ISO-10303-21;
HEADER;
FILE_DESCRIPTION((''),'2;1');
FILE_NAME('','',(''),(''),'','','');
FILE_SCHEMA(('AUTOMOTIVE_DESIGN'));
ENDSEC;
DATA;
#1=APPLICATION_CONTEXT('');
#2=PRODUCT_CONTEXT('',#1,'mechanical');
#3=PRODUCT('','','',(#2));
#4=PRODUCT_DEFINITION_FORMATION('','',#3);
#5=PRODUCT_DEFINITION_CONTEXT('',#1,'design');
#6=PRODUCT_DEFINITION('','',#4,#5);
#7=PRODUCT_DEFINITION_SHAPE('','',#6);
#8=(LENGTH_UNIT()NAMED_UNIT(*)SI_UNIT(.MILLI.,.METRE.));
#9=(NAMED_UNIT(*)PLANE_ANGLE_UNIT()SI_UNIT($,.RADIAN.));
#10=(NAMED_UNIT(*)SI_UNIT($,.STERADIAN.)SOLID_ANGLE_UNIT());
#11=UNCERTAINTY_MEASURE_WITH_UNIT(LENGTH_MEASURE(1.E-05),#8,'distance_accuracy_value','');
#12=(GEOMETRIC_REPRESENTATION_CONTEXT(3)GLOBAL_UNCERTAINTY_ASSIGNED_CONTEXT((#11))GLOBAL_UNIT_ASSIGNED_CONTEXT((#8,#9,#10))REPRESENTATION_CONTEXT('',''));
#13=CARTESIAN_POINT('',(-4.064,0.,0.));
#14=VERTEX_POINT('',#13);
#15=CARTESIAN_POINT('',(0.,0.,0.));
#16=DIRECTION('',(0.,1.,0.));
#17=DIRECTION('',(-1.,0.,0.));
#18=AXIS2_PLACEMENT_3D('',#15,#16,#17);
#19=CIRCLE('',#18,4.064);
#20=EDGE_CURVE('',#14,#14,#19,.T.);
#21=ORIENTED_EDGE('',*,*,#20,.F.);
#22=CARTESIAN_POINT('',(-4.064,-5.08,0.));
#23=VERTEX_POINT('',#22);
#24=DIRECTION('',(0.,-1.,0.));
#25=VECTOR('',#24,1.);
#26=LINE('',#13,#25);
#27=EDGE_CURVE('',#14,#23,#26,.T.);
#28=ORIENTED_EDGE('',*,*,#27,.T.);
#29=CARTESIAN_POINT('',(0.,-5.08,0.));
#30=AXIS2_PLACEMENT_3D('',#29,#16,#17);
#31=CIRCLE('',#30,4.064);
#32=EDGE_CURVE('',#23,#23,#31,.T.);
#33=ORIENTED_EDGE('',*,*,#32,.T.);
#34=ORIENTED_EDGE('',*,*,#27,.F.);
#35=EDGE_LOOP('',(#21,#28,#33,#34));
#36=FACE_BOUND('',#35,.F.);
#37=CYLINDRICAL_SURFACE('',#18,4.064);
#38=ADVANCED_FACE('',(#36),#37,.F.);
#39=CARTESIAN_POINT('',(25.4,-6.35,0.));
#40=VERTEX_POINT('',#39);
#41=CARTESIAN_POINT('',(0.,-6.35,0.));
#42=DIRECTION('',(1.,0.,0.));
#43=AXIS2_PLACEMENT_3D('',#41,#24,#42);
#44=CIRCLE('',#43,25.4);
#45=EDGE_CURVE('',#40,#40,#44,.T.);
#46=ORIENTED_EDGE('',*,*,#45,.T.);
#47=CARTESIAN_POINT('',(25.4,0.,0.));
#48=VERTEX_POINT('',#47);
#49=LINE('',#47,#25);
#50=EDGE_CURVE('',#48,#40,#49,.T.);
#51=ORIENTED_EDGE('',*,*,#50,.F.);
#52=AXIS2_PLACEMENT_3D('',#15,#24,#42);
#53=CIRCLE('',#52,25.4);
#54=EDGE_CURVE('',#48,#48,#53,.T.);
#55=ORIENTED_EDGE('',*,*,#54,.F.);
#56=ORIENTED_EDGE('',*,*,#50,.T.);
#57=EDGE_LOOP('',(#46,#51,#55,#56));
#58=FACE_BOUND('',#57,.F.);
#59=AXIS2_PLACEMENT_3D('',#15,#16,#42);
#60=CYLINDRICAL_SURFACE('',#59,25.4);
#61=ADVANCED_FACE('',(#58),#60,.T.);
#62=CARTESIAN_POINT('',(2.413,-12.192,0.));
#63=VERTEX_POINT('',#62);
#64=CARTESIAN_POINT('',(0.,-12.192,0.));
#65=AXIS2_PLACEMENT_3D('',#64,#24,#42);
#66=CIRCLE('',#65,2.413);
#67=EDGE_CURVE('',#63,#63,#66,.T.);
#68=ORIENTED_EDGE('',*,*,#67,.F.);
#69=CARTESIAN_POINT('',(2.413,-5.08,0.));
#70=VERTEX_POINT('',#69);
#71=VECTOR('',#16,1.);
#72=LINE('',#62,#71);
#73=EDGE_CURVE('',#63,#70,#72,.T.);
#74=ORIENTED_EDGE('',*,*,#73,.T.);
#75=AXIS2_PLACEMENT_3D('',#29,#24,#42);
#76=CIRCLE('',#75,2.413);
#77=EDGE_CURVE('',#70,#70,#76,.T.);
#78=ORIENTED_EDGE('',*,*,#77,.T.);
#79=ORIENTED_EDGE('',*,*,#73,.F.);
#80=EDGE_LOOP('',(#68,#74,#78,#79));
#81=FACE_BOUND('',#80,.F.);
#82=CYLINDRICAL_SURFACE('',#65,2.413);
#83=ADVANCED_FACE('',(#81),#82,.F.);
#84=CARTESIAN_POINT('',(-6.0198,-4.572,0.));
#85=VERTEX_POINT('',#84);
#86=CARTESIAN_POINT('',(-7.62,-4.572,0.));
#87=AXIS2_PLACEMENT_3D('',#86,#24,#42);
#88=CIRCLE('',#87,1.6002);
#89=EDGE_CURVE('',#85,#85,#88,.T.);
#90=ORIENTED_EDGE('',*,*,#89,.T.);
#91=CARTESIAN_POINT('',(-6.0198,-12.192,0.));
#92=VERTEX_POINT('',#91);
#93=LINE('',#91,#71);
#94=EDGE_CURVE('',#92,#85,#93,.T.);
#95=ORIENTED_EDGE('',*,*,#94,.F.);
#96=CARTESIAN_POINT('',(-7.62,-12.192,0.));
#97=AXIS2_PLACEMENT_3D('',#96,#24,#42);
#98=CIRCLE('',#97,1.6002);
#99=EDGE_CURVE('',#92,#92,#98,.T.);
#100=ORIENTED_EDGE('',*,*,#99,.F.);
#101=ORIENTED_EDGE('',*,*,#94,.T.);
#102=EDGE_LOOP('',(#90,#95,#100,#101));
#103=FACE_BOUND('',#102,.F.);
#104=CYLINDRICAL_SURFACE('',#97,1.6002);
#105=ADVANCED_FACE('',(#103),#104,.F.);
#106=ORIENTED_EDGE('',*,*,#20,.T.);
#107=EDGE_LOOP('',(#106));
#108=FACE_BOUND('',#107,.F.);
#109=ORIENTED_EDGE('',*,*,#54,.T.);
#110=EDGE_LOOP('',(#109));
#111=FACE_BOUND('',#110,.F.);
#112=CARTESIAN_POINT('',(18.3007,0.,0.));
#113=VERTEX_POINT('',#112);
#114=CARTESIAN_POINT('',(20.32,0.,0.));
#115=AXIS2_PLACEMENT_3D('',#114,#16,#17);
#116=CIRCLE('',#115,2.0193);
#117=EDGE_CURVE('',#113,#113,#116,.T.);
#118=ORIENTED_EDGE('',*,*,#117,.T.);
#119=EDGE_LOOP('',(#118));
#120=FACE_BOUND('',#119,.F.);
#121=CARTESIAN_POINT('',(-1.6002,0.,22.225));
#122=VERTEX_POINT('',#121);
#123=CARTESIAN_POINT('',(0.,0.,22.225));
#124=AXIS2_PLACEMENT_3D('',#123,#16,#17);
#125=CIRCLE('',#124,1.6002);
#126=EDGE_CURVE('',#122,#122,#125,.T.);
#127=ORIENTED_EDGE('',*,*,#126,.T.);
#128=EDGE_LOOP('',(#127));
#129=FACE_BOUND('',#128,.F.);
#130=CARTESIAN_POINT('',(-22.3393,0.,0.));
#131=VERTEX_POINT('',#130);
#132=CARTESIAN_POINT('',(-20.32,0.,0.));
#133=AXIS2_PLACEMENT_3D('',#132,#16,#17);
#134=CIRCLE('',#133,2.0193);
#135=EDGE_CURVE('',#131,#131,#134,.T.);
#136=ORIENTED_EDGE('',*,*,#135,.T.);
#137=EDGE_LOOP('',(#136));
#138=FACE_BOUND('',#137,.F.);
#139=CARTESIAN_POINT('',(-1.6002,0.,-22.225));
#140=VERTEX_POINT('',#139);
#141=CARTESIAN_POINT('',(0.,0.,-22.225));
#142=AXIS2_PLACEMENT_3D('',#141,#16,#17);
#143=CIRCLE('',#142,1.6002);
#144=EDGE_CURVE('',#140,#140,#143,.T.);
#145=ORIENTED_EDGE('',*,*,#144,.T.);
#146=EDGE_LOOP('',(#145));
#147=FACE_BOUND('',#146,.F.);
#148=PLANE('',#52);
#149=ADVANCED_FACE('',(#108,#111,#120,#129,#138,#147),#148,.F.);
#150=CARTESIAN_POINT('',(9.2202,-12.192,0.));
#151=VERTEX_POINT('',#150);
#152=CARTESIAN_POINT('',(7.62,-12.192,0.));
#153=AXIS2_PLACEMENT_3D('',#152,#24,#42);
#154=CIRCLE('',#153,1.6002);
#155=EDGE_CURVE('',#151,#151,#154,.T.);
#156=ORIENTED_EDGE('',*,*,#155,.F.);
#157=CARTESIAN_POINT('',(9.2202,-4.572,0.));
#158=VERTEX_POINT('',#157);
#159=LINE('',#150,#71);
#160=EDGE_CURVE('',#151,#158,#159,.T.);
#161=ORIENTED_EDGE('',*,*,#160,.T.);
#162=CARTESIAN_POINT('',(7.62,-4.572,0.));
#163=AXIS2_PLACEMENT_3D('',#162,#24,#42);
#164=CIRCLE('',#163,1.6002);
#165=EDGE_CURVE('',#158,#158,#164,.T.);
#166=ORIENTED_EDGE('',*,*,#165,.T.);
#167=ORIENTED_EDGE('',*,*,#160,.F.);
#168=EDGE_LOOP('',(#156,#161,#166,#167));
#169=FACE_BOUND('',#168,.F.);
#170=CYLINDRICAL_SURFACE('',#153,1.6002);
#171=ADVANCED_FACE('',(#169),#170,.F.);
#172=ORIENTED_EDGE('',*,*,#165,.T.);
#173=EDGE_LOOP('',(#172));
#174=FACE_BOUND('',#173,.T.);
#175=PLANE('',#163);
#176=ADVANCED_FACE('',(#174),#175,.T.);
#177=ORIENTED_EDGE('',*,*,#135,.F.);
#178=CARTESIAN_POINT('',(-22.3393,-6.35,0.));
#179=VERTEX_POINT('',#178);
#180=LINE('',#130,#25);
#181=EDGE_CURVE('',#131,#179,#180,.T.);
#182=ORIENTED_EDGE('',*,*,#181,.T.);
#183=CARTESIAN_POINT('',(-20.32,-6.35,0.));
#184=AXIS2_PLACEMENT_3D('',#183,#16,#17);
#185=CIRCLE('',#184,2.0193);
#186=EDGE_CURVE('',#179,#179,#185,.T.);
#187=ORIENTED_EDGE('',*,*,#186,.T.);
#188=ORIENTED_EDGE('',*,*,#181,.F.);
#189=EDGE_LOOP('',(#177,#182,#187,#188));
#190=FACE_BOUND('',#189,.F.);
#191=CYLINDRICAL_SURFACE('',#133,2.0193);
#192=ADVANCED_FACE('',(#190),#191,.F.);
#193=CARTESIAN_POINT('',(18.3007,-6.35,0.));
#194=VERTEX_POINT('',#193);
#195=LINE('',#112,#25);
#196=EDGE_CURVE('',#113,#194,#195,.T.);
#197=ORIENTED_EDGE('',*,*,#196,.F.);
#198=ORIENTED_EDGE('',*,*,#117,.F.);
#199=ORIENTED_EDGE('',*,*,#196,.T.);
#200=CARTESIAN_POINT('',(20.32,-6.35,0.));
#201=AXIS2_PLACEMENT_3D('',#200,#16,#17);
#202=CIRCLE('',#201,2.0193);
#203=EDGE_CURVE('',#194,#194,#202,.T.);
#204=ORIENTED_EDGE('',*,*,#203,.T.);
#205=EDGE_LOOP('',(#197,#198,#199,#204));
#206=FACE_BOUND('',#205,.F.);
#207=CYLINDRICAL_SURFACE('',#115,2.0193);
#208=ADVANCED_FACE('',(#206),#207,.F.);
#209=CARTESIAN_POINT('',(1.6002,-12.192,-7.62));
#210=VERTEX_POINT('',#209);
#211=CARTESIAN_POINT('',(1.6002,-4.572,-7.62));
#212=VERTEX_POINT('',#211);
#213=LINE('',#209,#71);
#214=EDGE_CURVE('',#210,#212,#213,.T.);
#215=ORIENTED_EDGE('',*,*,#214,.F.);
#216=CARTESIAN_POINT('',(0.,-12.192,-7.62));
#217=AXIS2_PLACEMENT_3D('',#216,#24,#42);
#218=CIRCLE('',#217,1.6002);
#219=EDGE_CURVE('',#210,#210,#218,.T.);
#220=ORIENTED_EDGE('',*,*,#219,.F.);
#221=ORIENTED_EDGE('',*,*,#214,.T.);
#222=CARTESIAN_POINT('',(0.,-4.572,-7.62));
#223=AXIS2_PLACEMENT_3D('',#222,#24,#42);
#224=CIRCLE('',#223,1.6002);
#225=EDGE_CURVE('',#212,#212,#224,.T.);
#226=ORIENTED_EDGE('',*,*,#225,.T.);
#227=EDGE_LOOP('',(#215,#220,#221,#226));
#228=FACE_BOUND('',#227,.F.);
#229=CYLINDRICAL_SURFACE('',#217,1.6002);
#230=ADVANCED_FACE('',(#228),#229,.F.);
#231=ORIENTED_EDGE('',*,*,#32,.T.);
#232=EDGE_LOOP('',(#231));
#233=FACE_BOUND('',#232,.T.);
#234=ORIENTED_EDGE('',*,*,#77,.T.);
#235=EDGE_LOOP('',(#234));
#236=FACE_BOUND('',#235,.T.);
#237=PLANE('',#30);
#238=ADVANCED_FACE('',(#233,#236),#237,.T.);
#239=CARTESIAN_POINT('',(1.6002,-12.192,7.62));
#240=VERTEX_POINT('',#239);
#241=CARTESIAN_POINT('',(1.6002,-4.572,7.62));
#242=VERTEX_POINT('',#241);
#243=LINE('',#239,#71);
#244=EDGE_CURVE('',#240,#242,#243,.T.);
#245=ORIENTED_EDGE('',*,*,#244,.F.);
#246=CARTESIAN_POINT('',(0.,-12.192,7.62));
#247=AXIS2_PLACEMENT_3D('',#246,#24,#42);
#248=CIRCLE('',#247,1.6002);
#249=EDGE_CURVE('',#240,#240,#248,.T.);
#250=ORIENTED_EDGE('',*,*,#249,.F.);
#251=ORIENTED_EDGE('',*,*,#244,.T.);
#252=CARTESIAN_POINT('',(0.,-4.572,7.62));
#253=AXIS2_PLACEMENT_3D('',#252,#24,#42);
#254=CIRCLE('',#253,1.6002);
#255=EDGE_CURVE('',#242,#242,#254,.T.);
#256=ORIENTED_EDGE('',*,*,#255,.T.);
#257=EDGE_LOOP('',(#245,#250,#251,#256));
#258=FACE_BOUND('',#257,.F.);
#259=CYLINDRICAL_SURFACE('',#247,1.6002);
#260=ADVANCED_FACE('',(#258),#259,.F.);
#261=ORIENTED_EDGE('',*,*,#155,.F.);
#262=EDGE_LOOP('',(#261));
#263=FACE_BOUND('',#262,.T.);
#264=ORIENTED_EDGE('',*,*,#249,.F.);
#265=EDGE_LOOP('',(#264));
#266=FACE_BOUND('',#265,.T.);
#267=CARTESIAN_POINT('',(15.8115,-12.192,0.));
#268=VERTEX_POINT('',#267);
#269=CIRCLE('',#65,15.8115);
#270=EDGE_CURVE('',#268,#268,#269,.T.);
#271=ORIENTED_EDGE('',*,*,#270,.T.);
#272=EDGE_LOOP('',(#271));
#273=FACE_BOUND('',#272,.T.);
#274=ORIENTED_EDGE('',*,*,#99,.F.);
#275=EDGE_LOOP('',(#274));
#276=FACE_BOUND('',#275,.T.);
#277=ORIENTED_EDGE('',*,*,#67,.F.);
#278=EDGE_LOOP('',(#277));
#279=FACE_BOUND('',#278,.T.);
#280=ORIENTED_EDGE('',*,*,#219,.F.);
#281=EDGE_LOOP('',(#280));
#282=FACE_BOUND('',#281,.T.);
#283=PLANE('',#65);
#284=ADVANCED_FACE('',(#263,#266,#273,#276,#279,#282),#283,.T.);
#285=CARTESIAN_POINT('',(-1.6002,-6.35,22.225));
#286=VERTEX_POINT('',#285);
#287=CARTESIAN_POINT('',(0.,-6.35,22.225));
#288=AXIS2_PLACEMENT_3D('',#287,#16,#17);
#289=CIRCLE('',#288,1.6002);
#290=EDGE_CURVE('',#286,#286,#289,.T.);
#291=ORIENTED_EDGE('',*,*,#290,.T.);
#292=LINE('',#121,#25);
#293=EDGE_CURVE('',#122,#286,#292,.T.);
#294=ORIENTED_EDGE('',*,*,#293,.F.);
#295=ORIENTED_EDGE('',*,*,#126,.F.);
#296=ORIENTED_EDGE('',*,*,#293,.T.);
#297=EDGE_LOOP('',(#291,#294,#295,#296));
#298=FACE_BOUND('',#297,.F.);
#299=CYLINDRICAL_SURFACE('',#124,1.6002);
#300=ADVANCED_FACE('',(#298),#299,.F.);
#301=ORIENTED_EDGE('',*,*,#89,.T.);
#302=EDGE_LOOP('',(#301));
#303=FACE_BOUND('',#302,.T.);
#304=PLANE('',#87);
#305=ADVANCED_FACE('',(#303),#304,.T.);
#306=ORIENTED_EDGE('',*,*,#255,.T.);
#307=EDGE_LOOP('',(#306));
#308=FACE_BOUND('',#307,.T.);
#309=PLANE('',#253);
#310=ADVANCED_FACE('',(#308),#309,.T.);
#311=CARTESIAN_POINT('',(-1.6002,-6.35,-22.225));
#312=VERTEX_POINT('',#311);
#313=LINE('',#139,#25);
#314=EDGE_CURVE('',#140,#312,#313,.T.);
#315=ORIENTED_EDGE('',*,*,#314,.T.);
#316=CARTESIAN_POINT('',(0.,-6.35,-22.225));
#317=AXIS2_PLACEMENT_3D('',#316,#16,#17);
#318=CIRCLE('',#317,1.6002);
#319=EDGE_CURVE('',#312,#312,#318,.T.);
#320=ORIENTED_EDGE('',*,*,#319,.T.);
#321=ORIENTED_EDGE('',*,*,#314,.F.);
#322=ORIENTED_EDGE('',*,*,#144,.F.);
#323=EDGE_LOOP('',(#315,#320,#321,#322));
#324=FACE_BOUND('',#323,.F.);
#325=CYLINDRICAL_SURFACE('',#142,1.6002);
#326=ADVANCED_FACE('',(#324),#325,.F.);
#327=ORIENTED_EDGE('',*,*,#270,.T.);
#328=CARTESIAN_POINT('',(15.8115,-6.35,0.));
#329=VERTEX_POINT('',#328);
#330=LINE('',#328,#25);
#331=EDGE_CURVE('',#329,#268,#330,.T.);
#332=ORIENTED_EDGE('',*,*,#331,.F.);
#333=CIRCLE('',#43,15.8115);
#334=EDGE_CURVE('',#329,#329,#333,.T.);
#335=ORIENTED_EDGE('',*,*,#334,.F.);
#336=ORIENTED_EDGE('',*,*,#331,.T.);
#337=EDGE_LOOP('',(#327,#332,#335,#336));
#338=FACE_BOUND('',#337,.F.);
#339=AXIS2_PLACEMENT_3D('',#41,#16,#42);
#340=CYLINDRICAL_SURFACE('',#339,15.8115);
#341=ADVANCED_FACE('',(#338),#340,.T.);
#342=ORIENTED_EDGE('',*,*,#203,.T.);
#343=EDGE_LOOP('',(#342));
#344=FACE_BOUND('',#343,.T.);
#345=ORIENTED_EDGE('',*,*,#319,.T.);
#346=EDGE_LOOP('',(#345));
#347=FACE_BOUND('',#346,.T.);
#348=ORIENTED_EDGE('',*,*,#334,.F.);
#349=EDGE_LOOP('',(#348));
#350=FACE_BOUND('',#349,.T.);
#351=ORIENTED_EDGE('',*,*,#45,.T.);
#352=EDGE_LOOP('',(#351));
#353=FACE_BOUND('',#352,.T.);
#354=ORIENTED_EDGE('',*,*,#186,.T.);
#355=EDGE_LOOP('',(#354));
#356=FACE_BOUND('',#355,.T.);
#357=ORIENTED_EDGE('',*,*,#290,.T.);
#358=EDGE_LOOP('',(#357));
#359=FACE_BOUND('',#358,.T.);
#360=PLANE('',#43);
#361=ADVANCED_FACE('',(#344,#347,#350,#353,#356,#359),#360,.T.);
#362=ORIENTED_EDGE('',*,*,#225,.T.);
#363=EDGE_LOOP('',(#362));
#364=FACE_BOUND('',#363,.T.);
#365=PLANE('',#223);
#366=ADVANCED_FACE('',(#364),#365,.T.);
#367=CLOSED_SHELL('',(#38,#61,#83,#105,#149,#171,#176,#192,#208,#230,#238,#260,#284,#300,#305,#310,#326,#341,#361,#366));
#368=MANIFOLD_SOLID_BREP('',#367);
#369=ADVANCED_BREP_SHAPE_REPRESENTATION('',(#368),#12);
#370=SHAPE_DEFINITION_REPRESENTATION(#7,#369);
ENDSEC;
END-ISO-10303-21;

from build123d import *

# Parameters (mm, degrees)
F0_R     = 25.4
F1_DEPTH = 6.35
F2_R     = 15.8115
F3_DEPTH = 5.842
F4_R     = 1.6002
F4_R_2   = 2.413
F5_DEPTH = 7.62
F6_R     = 4.064
F7_DEPTH = 5.08
F8_R     = 1.6002
F8_R_2   = 2.0193
F9_DEPTH = 12.193


with BuildPart() as f1:
    # F0 (on Front) → F1 (new body)
    with BuildSketch(Plane.XZ):
        Circle(F0_R)
    extrude(amount=F1_DEPTH)

    # F2 (on face) → F3 (join)
    with BuildSketch(Plane.XZ.offset(6.35)):
        Circle(F2_R)
    extrude(amount=F3_DEPTH)

    # F4 (on face) → F5 (cut)
    with BuildSketch(Plane.XZ.offset(12.192)):
        with Locations((7.62, 0)):
            Circle(F4_R)
        with Locations((0, 7.62)):
            Circle(F4_R)
        with Locations((-7.62, 0)):
            Circle(F4_R)
        with Locations((0, -7.62)):
            Circle(F4_R)
        Circle(F4_R_2)
    extrude(amount=-F5_DEPTH, mode=Mode.SUBTRACT)

    # F6 (on face) → F7 (cut)
    with BuildSketch(Plane(origin=(0, 0, 0), x_dir=(-1, 0, 0), z_dir=(0, 1, 0))):
        Circle(F6_R)
    extrude(amount=-F7_DEPTH, mode=Mode.SUBTRACT)

    # F8 (on face) → F9 (cut, through all)
    with BuildSketch(Plane(origin=(0, 0, 0), x_dir=(-1, 0, 0), z_dir=(0, 1, 0))):
        with Locations((0, 22.225)):
            Circle(F8_R)
        with Locations((20.32, 0)):
            Circle(F8_R_2)
        with Locations((0, -22.225)):
            Circle(F8_R)
        with Locations((-20.32, 0)):
            Circle(F8_R_2)
    extrude(amount=-F9_DEPTH, mode=Mode.SUBTRACT)


solid = f1.part
